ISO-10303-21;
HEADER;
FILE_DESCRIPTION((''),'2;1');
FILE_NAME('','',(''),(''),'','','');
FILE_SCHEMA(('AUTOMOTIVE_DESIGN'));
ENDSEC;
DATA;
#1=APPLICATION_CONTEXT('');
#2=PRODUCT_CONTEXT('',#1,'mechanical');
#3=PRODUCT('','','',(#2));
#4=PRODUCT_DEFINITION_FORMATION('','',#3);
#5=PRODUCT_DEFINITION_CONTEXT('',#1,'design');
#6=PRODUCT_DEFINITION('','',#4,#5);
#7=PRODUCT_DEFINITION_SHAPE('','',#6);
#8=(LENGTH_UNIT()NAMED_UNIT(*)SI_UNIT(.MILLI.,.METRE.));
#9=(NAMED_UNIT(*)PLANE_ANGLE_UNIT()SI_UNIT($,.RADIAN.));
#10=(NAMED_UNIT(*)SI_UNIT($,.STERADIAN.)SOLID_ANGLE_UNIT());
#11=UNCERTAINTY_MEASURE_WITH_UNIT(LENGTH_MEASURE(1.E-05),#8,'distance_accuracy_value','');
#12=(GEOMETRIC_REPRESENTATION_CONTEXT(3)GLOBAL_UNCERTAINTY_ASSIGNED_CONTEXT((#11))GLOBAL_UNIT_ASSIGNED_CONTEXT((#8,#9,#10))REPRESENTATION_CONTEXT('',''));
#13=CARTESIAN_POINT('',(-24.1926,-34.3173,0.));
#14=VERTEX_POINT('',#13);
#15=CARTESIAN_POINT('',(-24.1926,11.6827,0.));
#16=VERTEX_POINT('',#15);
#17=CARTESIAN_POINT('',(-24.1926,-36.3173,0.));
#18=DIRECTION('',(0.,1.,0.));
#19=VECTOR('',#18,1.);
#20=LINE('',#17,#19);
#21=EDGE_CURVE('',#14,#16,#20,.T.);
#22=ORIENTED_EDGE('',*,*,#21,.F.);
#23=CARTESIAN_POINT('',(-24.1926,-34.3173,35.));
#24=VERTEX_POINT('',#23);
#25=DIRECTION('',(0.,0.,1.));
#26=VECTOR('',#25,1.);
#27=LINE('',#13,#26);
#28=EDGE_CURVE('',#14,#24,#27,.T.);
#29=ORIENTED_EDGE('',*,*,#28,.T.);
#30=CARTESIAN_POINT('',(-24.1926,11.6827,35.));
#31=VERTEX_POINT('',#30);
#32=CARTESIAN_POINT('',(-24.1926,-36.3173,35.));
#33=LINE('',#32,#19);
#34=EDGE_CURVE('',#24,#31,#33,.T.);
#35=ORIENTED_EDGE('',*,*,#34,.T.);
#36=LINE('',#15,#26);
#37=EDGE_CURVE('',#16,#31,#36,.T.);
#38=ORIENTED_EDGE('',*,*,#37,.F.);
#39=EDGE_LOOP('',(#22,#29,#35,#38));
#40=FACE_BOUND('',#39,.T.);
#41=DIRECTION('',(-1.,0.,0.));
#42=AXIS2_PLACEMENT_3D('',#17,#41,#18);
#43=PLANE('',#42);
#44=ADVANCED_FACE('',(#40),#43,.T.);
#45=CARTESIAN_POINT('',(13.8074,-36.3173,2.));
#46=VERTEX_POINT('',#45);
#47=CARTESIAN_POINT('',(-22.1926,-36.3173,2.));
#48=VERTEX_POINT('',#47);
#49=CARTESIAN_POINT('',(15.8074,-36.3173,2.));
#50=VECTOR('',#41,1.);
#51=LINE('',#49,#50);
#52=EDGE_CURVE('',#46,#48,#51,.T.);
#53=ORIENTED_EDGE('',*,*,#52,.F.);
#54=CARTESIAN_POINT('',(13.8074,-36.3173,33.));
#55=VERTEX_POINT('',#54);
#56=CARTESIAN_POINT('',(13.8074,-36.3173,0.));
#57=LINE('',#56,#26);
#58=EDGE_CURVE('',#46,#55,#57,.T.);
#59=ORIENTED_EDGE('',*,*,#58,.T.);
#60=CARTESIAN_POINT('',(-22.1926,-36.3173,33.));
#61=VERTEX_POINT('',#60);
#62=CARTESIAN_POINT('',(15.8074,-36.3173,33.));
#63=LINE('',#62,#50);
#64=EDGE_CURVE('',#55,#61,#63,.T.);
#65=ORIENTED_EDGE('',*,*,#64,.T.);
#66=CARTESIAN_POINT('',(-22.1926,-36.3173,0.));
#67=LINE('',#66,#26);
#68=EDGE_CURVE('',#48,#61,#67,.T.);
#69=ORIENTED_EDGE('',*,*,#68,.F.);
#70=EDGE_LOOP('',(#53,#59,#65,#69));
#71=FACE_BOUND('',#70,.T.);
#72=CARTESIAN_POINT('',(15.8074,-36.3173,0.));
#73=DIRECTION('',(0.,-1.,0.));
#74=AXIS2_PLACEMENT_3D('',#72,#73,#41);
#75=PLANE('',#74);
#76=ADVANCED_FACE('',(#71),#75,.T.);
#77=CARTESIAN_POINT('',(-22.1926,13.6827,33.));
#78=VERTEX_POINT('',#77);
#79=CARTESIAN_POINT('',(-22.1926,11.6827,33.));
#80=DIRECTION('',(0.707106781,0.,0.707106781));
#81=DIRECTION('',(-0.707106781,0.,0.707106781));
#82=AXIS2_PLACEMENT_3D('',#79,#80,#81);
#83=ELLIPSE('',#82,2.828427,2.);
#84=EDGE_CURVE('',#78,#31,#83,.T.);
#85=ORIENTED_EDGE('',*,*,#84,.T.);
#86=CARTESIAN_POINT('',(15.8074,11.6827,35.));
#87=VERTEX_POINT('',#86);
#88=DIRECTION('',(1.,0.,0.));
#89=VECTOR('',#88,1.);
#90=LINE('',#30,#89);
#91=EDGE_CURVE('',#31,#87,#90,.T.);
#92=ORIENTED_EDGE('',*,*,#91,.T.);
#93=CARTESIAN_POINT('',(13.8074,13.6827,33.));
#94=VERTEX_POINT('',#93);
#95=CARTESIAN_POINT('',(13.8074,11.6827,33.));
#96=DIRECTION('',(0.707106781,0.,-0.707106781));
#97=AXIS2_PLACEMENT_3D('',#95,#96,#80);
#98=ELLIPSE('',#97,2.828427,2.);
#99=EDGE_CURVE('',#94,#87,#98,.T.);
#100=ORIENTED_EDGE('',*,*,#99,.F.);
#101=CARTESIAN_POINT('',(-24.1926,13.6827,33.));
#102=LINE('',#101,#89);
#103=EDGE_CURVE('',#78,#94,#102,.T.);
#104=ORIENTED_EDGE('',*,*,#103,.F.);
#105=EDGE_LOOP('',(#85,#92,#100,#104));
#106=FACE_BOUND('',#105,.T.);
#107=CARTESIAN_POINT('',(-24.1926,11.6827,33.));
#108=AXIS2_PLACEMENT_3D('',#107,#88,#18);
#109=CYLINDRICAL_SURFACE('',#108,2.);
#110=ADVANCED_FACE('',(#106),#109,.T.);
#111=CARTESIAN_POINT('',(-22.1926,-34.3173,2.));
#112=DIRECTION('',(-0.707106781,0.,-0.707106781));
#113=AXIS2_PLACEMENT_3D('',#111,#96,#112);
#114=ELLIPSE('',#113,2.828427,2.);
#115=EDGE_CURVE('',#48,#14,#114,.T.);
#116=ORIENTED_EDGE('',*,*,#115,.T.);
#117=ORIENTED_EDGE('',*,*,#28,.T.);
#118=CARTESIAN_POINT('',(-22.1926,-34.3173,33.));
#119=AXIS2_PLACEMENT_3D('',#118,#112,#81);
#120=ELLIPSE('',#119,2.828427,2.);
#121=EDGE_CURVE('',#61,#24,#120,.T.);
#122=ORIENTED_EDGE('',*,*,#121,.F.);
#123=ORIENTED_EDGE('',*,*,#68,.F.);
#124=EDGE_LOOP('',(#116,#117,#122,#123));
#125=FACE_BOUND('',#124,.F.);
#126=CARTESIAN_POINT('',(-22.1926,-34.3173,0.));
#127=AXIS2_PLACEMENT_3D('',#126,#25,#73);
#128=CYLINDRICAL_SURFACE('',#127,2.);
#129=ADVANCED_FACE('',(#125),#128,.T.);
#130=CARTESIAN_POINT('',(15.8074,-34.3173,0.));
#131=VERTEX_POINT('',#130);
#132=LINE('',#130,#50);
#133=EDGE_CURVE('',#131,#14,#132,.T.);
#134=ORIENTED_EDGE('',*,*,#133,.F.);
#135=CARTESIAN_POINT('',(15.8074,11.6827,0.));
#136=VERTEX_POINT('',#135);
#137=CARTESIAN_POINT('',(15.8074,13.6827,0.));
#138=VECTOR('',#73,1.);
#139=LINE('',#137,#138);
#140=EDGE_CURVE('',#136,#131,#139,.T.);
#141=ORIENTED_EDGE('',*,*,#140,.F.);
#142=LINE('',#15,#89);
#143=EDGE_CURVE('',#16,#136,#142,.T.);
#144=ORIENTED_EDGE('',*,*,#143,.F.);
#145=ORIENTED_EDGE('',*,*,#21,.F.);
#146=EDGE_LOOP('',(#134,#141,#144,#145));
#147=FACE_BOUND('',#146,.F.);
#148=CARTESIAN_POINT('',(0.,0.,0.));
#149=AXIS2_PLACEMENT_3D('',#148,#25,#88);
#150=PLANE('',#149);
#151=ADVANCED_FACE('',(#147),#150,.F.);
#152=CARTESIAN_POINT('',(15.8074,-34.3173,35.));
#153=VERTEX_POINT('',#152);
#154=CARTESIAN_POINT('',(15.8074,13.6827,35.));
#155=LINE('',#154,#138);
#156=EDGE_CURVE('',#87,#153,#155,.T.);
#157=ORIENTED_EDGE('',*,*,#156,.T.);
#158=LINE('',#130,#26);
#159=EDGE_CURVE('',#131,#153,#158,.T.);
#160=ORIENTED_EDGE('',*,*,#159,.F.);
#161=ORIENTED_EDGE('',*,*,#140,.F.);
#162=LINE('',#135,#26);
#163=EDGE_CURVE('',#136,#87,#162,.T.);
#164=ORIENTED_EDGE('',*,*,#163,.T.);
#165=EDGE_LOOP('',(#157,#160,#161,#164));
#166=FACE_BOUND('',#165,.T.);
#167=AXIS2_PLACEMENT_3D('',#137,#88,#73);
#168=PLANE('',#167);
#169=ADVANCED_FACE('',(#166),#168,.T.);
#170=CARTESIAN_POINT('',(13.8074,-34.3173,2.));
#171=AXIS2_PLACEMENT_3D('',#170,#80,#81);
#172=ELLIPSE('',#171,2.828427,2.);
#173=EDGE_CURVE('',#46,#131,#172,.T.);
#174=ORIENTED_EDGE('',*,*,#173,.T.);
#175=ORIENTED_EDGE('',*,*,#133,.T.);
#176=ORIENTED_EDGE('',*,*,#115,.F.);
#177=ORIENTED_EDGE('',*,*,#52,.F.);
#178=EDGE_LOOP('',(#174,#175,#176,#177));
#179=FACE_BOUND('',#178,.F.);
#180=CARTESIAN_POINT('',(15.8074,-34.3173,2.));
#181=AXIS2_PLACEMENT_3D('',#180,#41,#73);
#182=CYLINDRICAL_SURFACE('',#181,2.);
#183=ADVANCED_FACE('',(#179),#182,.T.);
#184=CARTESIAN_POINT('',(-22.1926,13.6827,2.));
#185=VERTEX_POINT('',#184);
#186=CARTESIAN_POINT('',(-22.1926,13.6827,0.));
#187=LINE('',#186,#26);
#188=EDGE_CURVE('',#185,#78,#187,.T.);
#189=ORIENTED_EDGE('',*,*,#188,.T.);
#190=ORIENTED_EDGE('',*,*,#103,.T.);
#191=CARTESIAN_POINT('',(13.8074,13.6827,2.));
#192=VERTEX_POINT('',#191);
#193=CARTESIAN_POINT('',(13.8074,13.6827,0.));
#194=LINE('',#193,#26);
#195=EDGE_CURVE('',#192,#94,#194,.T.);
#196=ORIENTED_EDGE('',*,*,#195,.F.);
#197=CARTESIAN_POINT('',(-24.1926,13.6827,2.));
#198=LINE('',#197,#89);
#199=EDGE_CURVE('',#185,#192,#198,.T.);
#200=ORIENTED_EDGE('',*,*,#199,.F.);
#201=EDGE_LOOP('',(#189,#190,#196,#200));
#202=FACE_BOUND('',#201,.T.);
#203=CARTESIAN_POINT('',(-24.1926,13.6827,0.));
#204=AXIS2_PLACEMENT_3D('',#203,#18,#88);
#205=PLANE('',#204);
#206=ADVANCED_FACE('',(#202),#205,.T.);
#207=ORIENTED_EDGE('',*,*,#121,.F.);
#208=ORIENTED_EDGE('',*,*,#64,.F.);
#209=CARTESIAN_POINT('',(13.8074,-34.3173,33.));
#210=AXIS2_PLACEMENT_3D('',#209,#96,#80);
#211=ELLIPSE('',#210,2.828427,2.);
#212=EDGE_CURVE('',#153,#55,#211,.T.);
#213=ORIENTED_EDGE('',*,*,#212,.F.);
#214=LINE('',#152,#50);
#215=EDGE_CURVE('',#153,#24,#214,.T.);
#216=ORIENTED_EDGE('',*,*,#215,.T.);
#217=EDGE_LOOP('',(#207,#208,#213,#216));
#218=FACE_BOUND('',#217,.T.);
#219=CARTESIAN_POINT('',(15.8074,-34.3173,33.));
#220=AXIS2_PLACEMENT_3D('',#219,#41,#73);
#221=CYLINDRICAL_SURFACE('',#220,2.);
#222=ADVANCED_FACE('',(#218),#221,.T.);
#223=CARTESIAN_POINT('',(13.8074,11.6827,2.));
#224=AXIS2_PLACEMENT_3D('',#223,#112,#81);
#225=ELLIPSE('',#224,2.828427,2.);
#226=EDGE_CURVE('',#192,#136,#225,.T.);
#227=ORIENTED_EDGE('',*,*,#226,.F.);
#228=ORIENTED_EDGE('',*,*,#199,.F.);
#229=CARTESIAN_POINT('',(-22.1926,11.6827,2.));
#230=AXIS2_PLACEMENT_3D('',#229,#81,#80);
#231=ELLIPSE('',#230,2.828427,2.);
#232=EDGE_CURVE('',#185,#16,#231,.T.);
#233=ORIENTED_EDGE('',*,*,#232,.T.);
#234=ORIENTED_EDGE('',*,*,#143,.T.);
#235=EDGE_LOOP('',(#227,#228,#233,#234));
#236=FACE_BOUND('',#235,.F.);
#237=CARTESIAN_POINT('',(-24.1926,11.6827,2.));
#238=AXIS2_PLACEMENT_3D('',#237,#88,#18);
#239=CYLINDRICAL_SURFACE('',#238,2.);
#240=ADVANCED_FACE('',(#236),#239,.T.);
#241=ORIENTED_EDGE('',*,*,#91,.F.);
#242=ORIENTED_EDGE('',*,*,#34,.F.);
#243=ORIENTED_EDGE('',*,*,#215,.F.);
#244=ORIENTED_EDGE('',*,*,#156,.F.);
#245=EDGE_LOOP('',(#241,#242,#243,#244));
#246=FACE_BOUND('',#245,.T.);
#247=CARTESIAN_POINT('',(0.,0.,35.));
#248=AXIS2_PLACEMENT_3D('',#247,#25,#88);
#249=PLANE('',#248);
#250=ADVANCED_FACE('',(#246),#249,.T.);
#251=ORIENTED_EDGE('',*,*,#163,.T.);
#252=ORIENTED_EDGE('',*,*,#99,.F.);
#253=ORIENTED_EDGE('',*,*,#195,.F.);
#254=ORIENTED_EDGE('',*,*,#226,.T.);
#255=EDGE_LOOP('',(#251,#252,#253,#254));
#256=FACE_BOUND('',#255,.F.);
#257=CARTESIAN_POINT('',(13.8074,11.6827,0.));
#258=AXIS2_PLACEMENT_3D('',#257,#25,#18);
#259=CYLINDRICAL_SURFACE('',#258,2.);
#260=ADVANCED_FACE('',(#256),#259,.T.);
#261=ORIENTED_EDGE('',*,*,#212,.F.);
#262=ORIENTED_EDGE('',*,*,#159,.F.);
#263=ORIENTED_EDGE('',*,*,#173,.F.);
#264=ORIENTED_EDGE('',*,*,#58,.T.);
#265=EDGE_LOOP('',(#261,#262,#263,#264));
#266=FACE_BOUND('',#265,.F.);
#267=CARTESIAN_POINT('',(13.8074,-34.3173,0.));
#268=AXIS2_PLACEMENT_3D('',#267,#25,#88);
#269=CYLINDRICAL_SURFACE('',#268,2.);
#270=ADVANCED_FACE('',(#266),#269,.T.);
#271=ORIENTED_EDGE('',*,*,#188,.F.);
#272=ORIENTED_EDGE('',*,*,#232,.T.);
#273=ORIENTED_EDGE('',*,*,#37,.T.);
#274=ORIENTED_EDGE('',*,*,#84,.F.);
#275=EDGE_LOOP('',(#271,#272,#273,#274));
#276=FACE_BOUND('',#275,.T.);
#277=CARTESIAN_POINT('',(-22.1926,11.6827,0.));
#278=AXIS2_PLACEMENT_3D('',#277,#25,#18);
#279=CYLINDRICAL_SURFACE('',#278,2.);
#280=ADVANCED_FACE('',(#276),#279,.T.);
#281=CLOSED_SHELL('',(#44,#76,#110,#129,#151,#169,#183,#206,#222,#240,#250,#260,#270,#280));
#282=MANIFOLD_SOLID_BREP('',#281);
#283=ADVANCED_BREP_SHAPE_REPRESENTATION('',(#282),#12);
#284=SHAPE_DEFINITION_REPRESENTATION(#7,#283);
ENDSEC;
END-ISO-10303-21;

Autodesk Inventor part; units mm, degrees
ref_plane "YZ Plane" through (0, 0, 0) normal (1, 0, 0) x (0, 1, 0)
ref_plane "XZ Plane" through (0, 0, 0) normal (0, 1, 0) x (-1, 0, 0)
ref_plane "XY Plane" through (0, 0, 0) normal (0, 0, 1) x (1, 0, 0)
sketch "Skizze1" plane through (0, 0, 0) normal (0, 0, 1) x (1, 0, 0)
  line L0 (-24.1926, 13.6827) -> (15.8074, 13.6827)
  line L1 (15.8074, 13.6827) -> (15.8074, -36.3173)
  line L2 (15.8074, -36.3173) -> (-24.1926, -36.3173)
  line L3 (-24.1926, -36.3173) -> (-24.1926, 13.6827)
  point P0 (0, 0)
  dimension "d0" = 40
  dimension "d1" = 50
extrude "Extrusion1" add sketch "Skizze1" along normal blind 35
fillet "Rundung1" radius 2 8 edges at (-24.1926, 13.6827, 17.5) (15.8074, 13.6827, 17.5) (-4.1926, 13.6827, 35) (-4.1926, 13.6827, 0) (-4.1926, -36.3173, 0) (-24.1926, -36.3173, 17.5) (15.8074, -36.3173, 17.5) (-4.1926, -36.3173, 35)
sketch "Skizze2" plane through (0, 0, 35) normal (0, 0, 1) x (1, 0, 0)
  line L0 (-12.5615, 6.1836) -> (-7.4058, 6.1836) construction
  line L1 (-7.4058, 6.1836) -> (-7.4058, -24.153) construction
  line L2 (-7.4058, -24.153) -> (-12.5615, -24.153) construction
  line L3 (-12.5615, -24.153) -> (-12.5615, 6.1836) construction
  point P0 (0, 0)
properties part number "Akku"
